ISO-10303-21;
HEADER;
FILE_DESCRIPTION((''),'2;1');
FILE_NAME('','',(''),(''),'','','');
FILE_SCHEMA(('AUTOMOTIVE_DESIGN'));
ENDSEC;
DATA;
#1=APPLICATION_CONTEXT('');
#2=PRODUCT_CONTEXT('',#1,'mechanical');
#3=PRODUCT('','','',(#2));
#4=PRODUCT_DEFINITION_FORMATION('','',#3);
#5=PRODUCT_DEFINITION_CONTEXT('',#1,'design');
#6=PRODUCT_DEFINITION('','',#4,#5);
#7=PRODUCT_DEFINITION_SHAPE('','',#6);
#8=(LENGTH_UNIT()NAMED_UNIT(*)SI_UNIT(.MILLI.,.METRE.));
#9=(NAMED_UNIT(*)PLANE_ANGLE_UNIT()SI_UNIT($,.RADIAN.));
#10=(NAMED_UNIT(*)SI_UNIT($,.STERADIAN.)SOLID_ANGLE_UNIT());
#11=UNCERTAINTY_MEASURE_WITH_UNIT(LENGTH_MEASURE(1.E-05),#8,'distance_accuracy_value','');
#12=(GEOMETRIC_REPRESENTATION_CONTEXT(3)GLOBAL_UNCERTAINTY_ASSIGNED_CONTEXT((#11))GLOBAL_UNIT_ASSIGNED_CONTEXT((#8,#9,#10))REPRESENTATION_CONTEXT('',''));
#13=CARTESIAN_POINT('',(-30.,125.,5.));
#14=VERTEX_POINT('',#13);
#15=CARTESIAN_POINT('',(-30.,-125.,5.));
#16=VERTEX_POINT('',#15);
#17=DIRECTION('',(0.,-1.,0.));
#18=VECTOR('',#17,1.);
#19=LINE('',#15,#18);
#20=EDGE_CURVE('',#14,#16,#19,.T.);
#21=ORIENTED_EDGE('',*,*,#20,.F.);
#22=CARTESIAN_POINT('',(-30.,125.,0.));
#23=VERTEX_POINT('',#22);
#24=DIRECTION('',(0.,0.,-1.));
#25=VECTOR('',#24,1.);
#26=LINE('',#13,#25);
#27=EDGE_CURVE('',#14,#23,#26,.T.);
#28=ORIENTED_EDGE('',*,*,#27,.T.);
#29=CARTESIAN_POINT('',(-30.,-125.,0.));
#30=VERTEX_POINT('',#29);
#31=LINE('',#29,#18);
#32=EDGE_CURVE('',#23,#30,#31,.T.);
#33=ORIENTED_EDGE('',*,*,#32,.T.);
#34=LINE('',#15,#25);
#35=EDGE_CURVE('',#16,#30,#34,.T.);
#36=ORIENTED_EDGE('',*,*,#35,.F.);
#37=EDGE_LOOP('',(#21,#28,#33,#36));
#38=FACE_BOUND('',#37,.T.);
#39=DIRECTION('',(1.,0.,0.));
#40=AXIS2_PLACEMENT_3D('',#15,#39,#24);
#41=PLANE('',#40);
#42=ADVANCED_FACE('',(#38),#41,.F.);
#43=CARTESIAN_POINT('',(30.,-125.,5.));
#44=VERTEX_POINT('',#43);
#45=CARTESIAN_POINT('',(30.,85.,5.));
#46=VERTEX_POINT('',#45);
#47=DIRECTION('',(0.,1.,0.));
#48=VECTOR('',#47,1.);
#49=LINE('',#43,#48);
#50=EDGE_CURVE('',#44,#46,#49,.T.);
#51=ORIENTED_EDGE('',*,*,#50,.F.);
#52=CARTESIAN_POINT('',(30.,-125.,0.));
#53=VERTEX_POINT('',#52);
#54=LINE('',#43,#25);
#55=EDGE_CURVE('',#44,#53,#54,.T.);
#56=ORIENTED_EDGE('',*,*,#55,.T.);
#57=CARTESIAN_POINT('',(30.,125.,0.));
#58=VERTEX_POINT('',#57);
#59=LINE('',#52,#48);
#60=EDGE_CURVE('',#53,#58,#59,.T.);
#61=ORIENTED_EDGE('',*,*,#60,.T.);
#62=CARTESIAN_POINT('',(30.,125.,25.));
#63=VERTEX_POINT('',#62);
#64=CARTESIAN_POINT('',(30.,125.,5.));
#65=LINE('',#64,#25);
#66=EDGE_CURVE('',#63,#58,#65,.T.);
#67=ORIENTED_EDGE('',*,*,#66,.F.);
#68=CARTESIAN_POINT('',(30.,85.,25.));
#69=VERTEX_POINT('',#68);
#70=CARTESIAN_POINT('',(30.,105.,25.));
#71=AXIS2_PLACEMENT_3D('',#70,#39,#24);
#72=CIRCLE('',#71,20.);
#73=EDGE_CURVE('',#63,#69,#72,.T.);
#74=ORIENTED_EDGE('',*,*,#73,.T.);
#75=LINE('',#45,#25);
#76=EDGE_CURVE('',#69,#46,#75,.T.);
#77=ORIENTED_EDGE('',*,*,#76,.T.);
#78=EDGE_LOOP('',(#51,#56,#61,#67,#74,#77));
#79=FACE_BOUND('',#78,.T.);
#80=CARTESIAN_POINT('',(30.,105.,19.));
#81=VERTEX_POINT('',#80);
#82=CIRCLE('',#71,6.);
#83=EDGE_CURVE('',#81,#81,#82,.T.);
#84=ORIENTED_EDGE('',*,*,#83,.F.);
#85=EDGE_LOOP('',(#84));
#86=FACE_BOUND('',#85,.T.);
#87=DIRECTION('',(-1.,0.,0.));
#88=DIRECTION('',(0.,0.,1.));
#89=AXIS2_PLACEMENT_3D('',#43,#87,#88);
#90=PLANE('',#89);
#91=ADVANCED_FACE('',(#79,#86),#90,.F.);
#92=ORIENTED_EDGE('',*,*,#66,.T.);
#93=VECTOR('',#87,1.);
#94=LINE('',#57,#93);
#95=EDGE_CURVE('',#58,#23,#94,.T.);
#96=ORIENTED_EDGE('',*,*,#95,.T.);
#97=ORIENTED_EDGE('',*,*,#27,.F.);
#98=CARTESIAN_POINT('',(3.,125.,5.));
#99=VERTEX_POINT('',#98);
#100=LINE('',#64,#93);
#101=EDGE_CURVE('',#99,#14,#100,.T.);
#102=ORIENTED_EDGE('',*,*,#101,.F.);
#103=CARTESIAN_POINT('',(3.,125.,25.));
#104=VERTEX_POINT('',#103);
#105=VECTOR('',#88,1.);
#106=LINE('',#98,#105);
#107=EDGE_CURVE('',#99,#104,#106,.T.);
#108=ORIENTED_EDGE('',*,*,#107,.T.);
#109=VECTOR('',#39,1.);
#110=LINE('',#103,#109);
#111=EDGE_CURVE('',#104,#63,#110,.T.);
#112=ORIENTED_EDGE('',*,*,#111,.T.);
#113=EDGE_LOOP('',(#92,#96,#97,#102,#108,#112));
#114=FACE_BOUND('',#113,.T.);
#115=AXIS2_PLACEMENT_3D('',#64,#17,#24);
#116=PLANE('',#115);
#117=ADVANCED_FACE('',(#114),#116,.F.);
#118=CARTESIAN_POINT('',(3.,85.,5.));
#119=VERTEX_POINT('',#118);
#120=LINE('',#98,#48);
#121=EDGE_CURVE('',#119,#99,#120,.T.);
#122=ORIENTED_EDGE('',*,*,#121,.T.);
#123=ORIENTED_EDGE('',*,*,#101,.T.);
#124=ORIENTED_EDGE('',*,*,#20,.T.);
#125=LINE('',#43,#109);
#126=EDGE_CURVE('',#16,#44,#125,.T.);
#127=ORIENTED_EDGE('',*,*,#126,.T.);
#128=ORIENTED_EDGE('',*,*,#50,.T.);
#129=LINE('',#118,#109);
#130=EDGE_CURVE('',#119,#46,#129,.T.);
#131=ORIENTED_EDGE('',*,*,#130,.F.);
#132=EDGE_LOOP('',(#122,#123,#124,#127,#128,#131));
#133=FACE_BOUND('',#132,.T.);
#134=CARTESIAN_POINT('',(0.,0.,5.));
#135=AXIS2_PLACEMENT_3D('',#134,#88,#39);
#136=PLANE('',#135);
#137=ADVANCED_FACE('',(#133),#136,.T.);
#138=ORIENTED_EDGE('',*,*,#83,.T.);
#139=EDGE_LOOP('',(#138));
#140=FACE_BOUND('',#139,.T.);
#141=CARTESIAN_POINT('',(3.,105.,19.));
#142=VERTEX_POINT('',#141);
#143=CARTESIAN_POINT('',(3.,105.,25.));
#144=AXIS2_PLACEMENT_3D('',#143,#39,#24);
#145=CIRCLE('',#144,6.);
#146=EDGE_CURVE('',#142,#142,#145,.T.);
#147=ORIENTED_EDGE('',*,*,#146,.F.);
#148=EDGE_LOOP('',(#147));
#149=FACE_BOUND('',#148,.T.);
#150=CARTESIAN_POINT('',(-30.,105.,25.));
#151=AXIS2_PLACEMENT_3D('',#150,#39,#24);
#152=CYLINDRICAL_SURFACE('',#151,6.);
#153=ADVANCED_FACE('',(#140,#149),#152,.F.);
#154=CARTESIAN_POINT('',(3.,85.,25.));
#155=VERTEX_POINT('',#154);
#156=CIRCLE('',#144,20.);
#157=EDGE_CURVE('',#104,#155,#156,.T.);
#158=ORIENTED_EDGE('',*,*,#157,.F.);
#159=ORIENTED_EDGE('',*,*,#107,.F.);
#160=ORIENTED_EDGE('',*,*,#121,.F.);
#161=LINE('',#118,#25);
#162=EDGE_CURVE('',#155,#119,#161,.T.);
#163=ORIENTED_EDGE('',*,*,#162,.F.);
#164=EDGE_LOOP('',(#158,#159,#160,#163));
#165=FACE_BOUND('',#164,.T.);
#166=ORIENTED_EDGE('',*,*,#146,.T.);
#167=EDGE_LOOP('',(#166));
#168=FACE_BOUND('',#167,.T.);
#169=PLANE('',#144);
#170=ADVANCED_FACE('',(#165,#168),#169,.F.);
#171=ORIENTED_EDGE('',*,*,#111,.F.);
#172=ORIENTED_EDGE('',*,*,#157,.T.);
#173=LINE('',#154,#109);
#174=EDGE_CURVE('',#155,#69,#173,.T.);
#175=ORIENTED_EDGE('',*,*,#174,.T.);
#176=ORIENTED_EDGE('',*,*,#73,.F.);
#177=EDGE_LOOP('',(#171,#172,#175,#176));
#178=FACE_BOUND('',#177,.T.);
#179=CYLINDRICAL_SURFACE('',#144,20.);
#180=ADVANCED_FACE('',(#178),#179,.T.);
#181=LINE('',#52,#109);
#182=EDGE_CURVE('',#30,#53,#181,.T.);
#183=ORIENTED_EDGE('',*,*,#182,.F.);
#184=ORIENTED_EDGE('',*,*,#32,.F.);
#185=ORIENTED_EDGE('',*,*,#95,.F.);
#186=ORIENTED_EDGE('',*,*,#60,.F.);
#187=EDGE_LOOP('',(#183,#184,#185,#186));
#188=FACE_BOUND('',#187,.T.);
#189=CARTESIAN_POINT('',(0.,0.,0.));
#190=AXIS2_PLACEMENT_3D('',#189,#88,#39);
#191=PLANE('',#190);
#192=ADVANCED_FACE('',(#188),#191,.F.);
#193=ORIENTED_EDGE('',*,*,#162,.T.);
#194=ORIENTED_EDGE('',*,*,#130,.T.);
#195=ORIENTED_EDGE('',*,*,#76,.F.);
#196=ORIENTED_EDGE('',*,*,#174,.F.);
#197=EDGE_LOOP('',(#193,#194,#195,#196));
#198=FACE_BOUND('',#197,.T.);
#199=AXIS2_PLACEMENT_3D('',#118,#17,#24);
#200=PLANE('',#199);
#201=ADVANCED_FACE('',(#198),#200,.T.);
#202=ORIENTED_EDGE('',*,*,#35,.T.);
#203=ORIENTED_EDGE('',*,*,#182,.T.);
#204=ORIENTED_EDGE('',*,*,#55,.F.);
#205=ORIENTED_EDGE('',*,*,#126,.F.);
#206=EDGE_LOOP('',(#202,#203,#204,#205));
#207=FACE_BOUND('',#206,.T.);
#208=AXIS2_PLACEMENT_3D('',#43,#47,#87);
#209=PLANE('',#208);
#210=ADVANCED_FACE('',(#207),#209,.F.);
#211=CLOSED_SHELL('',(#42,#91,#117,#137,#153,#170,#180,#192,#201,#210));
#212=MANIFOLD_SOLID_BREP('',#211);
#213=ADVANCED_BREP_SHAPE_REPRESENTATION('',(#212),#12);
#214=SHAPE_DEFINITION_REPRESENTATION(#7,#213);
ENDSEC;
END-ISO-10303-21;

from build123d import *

# Parameters (mm, degrees)
SKETCH1_W           = 60
SKETCH1_H           = 250
BOSS_EXTRUDE1_DEPTH = 5
BOSS_EXTRUDE2_DEPTH = 27
SKETCH3_R           = 6
CUT_EXTRUDE1_DEPTH  = 146.773797371


with BuildPart() as part:
    # Sketch1 → Boss-Extrude1 (new body)
    with BuildSketch(Plane.XY):
        Rectangle(SKETCH1_W, SKETCH1_H)
    extrude(amount=BOSS_EXTRUDE1_DEPTH)

    # Sketch2 → Boss-Extrude2 (add)
    with BuildSketch(Plane(origin=(30, 0, 0), x_dir=(0, 0, -1), z_dir=(1, 0, 0))):
        with BuildLine():
            Line((-5, 125), (-5, 85))
            Line((-5, 85), (-25, 85))
            ThreePointArc((-25, 85), (-45, 105), (-25, 125))
            Line((-25, 125), (-5, 125))
        make_face()
    extrude(amount=-BOSS_EXTRUDE2_DEPTH)

    # Sketch3 → Cut-Extrude1 (cut, through all)
    with BuildSketch(Plane(origin=(30, 0, 0), x_dir=(0, 0, -1), z_dir=(1, 0, 0))):
        with Locations((-25, 105)):
            Circle(SKETCH3_R)
    extrude(amount=-CUT_EXTRUDE1_DEPTH, mode=Mode.SUBTRACT)


solid = part.part
